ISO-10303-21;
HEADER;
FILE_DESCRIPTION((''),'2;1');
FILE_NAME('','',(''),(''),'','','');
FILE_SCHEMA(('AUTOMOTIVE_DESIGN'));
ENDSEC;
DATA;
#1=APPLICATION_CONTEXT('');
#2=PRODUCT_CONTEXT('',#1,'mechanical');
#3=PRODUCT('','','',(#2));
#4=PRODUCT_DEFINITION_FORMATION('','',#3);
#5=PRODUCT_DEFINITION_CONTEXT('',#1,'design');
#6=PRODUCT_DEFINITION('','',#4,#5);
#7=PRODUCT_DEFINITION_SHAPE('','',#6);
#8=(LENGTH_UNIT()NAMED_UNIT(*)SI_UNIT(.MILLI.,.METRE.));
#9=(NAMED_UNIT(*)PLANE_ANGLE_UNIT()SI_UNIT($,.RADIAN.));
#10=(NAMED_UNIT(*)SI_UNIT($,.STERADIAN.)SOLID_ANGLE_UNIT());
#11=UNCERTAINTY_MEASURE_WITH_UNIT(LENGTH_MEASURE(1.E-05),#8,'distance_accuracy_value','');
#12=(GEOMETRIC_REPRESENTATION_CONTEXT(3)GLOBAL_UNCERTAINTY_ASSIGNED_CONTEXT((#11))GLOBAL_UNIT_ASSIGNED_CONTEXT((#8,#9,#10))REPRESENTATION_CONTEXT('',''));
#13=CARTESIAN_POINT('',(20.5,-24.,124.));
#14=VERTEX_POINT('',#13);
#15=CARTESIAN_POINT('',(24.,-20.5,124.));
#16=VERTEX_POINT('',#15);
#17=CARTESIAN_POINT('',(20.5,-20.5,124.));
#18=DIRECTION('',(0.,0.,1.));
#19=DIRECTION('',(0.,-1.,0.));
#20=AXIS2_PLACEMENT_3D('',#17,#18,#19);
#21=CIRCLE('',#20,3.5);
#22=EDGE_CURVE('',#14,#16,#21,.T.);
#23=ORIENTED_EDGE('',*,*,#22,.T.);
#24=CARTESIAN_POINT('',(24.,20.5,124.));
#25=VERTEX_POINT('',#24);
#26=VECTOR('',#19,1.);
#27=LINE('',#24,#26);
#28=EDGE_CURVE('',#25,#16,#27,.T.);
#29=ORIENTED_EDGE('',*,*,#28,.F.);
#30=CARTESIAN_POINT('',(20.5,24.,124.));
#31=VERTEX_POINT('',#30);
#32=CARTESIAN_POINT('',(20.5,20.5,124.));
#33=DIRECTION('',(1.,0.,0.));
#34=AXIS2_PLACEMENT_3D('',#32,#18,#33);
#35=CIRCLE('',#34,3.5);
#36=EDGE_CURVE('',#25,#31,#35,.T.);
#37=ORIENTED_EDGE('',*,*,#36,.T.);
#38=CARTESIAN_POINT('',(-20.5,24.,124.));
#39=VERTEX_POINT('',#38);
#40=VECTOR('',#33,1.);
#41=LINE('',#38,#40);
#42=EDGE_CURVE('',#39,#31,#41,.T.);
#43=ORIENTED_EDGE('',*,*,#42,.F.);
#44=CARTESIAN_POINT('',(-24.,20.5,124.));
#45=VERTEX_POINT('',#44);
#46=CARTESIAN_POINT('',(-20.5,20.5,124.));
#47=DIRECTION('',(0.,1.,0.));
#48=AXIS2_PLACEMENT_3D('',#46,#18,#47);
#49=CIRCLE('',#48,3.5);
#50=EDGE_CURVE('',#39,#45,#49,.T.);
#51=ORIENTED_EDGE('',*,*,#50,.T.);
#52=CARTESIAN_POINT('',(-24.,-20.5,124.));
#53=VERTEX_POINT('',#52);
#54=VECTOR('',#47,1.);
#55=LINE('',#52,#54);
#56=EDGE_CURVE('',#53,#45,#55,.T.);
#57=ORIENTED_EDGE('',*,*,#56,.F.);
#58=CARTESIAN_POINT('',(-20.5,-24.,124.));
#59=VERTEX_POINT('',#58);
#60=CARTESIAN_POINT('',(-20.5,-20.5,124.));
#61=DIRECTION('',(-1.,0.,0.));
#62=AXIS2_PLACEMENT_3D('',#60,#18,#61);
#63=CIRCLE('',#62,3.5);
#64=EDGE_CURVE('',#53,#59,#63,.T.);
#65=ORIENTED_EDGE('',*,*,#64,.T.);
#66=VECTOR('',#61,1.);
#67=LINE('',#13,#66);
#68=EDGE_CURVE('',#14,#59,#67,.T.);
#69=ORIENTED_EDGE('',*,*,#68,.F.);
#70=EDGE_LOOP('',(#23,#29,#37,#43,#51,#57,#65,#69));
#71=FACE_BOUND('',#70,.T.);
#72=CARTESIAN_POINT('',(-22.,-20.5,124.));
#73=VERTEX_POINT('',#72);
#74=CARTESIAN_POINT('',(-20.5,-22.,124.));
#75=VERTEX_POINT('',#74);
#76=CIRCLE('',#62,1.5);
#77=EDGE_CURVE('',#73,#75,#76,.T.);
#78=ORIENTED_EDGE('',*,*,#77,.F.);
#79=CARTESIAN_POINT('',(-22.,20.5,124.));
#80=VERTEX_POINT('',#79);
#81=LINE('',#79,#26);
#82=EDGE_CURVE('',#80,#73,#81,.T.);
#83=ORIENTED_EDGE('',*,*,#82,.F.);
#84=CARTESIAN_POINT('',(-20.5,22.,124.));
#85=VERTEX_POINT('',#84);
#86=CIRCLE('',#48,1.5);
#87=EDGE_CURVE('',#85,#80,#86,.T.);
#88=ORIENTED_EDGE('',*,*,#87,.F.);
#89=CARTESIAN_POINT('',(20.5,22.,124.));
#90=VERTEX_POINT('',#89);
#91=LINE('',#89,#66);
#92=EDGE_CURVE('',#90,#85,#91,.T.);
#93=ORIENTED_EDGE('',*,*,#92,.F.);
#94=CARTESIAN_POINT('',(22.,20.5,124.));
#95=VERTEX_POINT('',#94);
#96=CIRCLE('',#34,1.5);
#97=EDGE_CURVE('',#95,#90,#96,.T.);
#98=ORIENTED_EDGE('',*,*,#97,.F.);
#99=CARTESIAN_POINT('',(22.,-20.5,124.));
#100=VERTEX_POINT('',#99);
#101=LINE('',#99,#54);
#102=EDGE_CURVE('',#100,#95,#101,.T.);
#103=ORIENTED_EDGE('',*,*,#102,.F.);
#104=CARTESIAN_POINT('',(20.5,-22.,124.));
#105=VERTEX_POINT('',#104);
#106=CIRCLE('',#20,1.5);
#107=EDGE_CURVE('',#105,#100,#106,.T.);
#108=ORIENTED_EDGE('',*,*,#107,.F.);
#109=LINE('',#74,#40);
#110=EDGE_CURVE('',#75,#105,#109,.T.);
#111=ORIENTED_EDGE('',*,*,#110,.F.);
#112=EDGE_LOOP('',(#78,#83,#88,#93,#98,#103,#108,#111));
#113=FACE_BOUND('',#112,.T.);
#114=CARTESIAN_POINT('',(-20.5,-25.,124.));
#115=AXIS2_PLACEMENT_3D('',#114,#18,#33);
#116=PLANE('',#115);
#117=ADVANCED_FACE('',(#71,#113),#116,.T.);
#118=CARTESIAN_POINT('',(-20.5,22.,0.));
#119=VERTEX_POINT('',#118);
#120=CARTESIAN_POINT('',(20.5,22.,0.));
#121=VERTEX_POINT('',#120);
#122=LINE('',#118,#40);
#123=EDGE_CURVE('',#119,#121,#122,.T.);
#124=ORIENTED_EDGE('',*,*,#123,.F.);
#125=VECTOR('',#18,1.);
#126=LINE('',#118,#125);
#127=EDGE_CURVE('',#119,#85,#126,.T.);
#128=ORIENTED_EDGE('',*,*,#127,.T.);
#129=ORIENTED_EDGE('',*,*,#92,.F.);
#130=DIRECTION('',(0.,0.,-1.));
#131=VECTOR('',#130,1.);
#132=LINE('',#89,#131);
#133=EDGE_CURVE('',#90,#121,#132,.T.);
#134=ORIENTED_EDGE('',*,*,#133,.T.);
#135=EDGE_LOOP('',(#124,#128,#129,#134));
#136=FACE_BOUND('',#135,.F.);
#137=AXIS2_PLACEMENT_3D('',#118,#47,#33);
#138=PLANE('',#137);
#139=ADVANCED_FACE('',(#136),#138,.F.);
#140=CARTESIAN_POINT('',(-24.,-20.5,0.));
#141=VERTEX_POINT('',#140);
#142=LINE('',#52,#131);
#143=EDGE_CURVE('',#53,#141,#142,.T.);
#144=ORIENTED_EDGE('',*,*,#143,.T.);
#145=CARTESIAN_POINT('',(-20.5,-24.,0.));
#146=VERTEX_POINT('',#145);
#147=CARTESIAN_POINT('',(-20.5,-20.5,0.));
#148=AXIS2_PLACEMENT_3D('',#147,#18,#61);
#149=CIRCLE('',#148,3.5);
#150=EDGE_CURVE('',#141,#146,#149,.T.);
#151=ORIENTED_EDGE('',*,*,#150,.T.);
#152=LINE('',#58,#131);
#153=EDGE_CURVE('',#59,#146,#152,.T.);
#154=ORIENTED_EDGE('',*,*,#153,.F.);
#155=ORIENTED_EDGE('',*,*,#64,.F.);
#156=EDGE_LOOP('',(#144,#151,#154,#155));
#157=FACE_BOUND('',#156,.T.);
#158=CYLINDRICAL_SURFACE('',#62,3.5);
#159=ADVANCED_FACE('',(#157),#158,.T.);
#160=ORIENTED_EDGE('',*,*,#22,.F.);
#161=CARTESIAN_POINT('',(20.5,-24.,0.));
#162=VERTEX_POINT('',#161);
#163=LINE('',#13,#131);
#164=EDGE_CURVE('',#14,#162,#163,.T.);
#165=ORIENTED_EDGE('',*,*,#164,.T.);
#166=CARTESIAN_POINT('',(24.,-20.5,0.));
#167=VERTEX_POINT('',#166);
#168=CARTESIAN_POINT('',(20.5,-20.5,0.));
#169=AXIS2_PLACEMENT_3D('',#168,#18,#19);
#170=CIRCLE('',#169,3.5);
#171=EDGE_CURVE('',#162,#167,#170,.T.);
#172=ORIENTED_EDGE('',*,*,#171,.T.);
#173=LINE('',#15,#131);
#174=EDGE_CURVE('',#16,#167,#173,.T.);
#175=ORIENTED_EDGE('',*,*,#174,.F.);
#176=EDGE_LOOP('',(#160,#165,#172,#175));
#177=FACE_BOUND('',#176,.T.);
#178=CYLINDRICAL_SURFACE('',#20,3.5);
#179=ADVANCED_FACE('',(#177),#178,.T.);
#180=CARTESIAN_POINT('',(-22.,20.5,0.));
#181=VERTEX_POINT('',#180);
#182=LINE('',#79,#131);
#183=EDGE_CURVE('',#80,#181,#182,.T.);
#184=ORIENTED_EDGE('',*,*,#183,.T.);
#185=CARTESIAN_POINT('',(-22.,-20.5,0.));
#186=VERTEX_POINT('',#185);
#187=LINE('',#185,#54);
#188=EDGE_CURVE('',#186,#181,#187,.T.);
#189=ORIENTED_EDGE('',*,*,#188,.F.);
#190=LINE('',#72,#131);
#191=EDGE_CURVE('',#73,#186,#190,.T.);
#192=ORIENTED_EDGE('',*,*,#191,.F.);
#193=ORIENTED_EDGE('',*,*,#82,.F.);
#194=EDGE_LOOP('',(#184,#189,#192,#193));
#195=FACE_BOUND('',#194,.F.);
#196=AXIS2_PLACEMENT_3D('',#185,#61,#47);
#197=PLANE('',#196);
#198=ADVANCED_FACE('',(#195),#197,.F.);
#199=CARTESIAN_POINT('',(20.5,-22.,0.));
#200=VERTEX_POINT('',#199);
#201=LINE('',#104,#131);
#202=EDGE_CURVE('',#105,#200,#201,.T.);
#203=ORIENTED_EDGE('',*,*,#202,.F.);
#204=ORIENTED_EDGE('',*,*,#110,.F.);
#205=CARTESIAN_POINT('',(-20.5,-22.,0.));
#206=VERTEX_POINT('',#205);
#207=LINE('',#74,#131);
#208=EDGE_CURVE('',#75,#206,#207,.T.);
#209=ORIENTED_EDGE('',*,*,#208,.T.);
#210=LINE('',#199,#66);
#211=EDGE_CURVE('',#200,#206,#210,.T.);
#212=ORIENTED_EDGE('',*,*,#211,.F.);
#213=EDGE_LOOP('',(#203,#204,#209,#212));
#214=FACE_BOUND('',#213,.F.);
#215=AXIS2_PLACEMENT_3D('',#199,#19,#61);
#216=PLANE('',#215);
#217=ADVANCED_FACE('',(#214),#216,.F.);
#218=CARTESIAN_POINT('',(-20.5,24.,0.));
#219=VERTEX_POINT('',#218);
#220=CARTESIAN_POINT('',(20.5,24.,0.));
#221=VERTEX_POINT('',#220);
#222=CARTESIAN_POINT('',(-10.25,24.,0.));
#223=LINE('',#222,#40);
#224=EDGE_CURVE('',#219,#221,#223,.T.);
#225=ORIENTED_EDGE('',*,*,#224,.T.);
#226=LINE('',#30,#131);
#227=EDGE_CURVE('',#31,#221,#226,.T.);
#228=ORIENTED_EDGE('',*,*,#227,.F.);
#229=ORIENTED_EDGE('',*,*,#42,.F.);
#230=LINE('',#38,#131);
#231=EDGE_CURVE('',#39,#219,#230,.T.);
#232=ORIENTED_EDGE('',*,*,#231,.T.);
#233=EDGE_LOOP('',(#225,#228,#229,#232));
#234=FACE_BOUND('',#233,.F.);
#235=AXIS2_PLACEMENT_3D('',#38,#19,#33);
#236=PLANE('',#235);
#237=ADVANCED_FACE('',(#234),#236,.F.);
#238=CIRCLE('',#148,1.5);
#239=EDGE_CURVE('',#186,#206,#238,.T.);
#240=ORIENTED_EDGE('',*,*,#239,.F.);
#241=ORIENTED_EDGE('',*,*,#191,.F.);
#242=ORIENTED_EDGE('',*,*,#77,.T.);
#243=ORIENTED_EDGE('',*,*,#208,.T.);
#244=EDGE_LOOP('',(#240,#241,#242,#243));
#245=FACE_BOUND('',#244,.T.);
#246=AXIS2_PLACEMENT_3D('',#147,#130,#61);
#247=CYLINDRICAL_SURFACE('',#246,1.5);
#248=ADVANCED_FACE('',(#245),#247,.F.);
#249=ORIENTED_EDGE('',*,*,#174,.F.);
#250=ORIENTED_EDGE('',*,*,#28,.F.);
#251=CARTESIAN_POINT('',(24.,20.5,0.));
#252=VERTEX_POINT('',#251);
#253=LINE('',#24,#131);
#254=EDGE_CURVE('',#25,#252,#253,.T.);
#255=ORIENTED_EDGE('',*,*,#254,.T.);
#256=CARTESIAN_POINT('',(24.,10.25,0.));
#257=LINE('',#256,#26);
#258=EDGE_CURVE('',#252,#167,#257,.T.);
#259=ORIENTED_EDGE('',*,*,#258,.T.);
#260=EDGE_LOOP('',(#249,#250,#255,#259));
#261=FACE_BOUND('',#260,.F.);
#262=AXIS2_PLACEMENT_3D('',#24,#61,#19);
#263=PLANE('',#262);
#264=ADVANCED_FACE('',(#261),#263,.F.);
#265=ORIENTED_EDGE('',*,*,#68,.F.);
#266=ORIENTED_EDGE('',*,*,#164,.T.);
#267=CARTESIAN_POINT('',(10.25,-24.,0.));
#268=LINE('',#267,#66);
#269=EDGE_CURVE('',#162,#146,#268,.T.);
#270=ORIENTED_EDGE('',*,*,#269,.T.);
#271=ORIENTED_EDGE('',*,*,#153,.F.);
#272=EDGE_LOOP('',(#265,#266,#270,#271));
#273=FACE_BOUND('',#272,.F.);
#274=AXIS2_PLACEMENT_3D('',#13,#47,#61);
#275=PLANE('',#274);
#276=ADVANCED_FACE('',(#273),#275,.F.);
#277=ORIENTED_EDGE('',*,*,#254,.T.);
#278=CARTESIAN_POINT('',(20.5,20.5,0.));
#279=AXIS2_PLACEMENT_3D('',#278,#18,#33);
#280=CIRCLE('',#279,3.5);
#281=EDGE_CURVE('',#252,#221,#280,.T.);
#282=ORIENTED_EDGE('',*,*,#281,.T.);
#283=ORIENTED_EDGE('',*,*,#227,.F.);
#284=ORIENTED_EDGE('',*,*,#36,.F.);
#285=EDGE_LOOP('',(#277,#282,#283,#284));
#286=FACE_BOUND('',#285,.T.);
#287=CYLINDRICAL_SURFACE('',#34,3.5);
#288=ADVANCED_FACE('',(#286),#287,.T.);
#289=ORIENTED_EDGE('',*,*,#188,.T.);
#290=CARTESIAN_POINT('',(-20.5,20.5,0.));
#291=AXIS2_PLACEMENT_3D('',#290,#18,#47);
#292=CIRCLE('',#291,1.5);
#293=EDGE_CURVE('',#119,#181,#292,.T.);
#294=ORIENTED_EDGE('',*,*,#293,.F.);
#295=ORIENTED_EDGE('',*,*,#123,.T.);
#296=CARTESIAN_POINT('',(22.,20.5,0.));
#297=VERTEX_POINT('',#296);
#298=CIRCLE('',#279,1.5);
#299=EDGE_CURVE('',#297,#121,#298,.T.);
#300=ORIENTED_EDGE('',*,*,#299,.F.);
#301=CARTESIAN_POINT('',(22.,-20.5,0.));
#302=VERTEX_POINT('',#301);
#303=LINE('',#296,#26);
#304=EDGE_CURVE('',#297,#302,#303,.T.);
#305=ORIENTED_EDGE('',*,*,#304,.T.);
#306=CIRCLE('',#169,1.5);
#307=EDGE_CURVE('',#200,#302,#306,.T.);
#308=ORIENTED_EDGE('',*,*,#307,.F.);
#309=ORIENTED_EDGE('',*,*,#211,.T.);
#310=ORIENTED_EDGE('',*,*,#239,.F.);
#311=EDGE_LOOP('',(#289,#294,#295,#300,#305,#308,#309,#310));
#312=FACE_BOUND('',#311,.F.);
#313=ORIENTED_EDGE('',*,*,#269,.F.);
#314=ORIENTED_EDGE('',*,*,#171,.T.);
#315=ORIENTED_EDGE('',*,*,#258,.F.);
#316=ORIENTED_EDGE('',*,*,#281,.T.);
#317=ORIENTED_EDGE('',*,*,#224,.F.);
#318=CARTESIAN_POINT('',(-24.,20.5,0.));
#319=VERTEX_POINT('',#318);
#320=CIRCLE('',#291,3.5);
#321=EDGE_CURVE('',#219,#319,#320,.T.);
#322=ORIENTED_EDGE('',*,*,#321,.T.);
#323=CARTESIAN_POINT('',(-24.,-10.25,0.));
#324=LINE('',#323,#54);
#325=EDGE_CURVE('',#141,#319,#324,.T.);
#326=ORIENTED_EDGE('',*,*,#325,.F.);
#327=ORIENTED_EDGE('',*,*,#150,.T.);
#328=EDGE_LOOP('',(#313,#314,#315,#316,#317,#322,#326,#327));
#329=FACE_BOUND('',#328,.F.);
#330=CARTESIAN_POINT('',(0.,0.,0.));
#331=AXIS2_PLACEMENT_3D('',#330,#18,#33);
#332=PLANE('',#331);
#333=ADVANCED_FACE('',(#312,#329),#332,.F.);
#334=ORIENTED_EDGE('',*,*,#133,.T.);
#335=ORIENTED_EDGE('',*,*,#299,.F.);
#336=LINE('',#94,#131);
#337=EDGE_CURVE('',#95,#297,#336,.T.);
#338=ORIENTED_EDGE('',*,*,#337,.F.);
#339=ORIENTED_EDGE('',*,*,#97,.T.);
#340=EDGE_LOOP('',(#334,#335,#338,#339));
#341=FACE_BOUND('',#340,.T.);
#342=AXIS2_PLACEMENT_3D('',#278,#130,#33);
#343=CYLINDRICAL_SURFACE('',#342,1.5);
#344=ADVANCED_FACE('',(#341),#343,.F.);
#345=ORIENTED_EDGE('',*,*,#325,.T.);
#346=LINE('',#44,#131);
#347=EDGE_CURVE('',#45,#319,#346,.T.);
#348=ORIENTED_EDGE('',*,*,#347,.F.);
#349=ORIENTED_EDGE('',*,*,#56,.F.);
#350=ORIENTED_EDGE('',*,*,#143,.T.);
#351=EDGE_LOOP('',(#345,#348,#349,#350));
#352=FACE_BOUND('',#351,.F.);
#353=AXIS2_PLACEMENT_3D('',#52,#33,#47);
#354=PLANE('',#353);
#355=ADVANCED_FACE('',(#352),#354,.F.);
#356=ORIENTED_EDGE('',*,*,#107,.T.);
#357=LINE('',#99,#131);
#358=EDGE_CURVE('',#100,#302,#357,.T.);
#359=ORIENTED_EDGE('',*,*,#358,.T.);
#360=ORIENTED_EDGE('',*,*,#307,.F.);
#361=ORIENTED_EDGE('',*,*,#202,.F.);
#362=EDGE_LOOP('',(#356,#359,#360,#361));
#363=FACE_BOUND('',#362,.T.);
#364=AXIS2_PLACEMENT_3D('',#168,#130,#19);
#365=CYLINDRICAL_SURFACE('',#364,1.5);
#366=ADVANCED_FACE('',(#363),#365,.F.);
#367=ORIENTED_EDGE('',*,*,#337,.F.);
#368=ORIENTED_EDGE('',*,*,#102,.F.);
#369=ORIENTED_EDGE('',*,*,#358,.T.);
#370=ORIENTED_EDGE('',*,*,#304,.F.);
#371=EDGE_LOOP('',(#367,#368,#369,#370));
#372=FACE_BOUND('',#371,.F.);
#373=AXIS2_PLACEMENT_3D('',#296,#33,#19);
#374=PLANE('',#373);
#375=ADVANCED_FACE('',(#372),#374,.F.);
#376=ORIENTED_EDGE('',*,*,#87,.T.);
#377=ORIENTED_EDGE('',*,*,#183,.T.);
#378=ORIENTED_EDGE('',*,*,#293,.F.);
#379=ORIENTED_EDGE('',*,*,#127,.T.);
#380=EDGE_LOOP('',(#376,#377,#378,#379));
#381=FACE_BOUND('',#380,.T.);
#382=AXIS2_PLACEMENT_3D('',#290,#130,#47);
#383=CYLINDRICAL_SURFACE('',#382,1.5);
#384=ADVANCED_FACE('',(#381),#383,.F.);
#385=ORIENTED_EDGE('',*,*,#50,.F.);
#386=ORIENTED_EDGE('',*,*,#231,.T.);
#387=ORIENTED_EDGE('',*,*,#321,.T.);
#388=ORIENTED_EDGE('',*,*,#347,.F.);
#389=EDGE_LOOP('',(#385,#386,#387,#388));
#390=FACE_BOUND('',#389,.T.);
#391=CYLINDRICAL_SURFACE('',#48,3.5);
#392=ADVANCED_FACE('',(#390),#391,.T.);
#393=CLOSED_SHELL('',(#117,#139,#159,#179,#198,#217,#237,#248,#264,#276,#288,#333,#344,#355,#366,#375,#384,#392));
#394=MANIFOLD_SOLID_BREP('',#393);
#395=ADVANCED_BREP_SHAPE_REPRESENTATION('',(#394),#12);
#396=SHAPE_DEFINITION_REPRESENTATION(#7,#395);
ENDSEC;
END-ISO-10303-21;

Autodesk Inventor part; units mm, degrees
ref_plane "YZ Plane" through (0, 0, 0) normal (1, 0, 0) x (0, 1, 0)
ref_plane "Начальная плоскость" through (0, 0, 0) normal (0, 0, 1) x (1, 0, 0)
ref_plane "Конечная плоскость" through (0, 0, 110) normal (0, 0, 1) x (1, 0, 0)
sketch "Эскиз" plane through (0, 0, 0) normal (0, 0, 1) x (1, 0, 0)
  line L0 (-25, -20.5) -> (-25, 20.5)
  line L1 (-20.5, 25) -> (20.5, 25)
  line L2 (25, 20.5) -> (25, -20.5)
  line L3 (20.5, -25) -> (-20.5, -25)
  arc A0 (-25, -20.5) -> (-20.5, -25) centre (-20.5, -20.5) ccw
  arc A1 (-20.5, 25) -> (-25, 20.5) centre (-20.5, 20.5) ccw
  arc A2 (25, 20.5) -> (20.5, 25) centre (20.5, 20.5) ccw
  arc A3 (20.5, -25) -> (25, -20.5) centre (20.5, -20.5) ccw
  arc A4 (-20.5, 22) -> (-22, 20.5) centre (-20.5, 20.5) ccw
  line L4 (-20.5, 22) -> (20.5, 22)
  arc A5 (22, 20.5) -> (20.5, 22) centre (20.5, 20.5) ccw
  line L5 (22, 20.5) -> (22, -20.5)
  arc A6 (20.5, -22) -> (22, -20.5) centre (20.5, -20.5) ccw
  line L6 (20.5, -22) -> (-20.5, -22)
  arc A7 (-22, -20.5) -> (-20.5, -22) centre (-20.5, -20.5) ccw
  line L7 (-22, -20.5) -> (-22, 20.5)
  line L8 (0, 37.1021) -> (0, -37.1021) construction
  line L9 (-23.1021, 0) -> (23.1021, 0) construction
  dimension "d7" = 4.5
  dimension "d10" = 50
  dimension "d11" = 50
  dimension "d12" = 3
  dimension "d15" = 25
  dimension "d16" = 25
extrude "Базовый элемент" add sketch "Эскиз" along normal up to surface (110 mm away) from surface at 0
sketch "Sketch3" plane through (0, 0, 0) normal (0, 0, 1) x (1, 0, 0)
  line L0 (0, 0) -> (10, 0)
ref_plane "Work Plane3" through (0, 0, 0) normal (0, -1, 0) x (1, 0, 0)
sketch "Sketch4" plane through (0, 0, 0) normal (0, -1, 0) x (1, 0, 0)
  line L0 (-2, 0) -> (12, 0)
  line L1 (-2, 110) -> (12, 110)
  dimension "d18" = 110
sketch "Эскиз5" plane through (-20.5, -25, 110) normal (0, 0, 1) x (1, 0, 0)
  line L0 (-1.5, 45.5) -> (-1.5, 4.5) projected
  line L1 (41, 47) -> (0, 47) projected
  line L2 (41, 47) -> (0, 47) projected
  arc A0 (42.5, 45.5) -> (41, 47) centre (41, 45.5) ccw projected
  line L3 (42.5, 4.5) -> (42.5, 45.5) projected
  arc A1 (41, 3) -> (42.5, 4.5) centre (41, 4.5) ccw projected
  line L4 (0, 3) -> (41, 3) projected
  arc A2 (-1.5, 4.5) -> (0, 3) centre (0, 4.5) ccw projected
  line L5 (-1.5, 45.5) -> (-1.5, 4.5) projected
  arc A3 (0, 47) -> (-1.5, 45.5) centre (0, 45.5) ccw projected
  line L6 (-4.5, 4.5) -> (-4.5, 45.5) projected
  arc A4 (-4.5, 4.5) -> (0, 0) centre (0, 4.5) ccw projected
  line L7 (41, 0) -> (0, 0) projected
  arc A5 (41, 0) -> (45.5, 4.5) centre (41, 4.5) ccw projected
  line L8 (45.5, 45.5) -> (45.5, 4.5) projected
  arc A6 (45.5, 45.5) -> (41, 50) centre (41, 45.5) ccw projected
  line L9 (0, 50) -> (41, 50) projected
  arc A7 (0, 50) -> (-4.5, 45.5) centre (0, 45.5) ccw projected
  point P0 (20.5, 25)
  point P1 (0, 47)
extrude "Выдавливание2" add sketch "Эскиз5" along normal blind 14
sketch "Эскиз6" plane through (-20.5, -25, 124) normal (0, 0, 1) x (1, 0, 0)
  line L0 (45.5, 4.5) -> (45.5, 45.5) projected
  arc A0 (45.5, 45.5) -> (41, 50) centre (41, 45.5) ccw projected
  line L1 (41, 50) -> (0, 50) projected
  arc A1 (0, 50) -> (-4.5, 45.5) centre (0, 45.5) ccw projected
  line L2 (-4.5, 45.5) -> (-4.5, 4.5) projected
  arc A2 (-4.5, 4.5) -> (0, 0) centre (0, 4.5) ccw projected
  line L3 (0, 0) -> (41, 0) projected
  arc A3 (41, 0) -> (45.5, 4.5) centre (41, 4.5) ccw projected
  arc A4 (42.5, 45.5) -> (41, 47) centre (41, 45.5) ccw projected
  line L4 (42.5, 45.5) -> (42.5, 4.5) projected
  arc A5 (41, 3) -> (42.5, 4.5) centre (41, 4.5) ccw projected
  line L5 (41, 3) -> (0, 3) projected
  arc A6 (-1.5, 4.5) -> (0, 3) centre (0, 4.5) ccw projected
  line L6 (-1.5, 4.5) -> (-1.5, 45.5) projected
  arc A7 (0, 47) -> (-1.5, 45.5) centre (0, 45.5) ccw projected
  line L7 (0, 47) -> (41, 47) projected
  line L8 (0, 49) -> (41, 49)
  arc A8 (44.5, 45.5) -> (41, 49) centre (41, 45.5) ccw
  line L9 (44.5, 45.5) -> (44.5, 4.5)
  arc A9 (41, 1) -> (44.5, 4.5) centre (41, 4.5) ccw
  line L10 (41, 1) -> (0, 1)
  arc A10 (-3.5, 4.5) -> (0, 1) centre (0, 4.5) ccw
  line L11 (-3.5, 4.5) -> (-3.5, 45.5)
  arc A11 (0, 49) -> (-3.5, 45.5) centre (0, 45.5) ccw
  point P0 (20.5, 25)
  dimension "d21" = 3
  dimension "d22" = 1
extrude "Выдавливание3" cut sketch "Эскиз6" against normal blind 150.25 contours A3 L3 A2 L2 A1 L1 A0 L0
equation "\"d7\" = G_IR"
equation "\"d10\" = G_H"
equation "\"d11\" = G_W"
equation "\"d12\" = G_T"
equation "\"d15\" = 0.5 * d10"
equation "\"d16\" = 0.5 * d11"
equation "\"d3\" = G_L"
equation "\"G_W\" = 50"
equation "\"G_H\" = 50"
equation "\"G_T\" = 3"
equation "\"G_IR\" = 1.5 * G_T"
equation "\"G_L\" = d18"
equation "\"G_OFFSET_START\" = 0"
equation "\"G_OFFSET_END\" = 0"
properties part number "Труба 50x50x3 -110 ГОСТ 8639-82" material "Сталь нержавеющая AISI 202"
